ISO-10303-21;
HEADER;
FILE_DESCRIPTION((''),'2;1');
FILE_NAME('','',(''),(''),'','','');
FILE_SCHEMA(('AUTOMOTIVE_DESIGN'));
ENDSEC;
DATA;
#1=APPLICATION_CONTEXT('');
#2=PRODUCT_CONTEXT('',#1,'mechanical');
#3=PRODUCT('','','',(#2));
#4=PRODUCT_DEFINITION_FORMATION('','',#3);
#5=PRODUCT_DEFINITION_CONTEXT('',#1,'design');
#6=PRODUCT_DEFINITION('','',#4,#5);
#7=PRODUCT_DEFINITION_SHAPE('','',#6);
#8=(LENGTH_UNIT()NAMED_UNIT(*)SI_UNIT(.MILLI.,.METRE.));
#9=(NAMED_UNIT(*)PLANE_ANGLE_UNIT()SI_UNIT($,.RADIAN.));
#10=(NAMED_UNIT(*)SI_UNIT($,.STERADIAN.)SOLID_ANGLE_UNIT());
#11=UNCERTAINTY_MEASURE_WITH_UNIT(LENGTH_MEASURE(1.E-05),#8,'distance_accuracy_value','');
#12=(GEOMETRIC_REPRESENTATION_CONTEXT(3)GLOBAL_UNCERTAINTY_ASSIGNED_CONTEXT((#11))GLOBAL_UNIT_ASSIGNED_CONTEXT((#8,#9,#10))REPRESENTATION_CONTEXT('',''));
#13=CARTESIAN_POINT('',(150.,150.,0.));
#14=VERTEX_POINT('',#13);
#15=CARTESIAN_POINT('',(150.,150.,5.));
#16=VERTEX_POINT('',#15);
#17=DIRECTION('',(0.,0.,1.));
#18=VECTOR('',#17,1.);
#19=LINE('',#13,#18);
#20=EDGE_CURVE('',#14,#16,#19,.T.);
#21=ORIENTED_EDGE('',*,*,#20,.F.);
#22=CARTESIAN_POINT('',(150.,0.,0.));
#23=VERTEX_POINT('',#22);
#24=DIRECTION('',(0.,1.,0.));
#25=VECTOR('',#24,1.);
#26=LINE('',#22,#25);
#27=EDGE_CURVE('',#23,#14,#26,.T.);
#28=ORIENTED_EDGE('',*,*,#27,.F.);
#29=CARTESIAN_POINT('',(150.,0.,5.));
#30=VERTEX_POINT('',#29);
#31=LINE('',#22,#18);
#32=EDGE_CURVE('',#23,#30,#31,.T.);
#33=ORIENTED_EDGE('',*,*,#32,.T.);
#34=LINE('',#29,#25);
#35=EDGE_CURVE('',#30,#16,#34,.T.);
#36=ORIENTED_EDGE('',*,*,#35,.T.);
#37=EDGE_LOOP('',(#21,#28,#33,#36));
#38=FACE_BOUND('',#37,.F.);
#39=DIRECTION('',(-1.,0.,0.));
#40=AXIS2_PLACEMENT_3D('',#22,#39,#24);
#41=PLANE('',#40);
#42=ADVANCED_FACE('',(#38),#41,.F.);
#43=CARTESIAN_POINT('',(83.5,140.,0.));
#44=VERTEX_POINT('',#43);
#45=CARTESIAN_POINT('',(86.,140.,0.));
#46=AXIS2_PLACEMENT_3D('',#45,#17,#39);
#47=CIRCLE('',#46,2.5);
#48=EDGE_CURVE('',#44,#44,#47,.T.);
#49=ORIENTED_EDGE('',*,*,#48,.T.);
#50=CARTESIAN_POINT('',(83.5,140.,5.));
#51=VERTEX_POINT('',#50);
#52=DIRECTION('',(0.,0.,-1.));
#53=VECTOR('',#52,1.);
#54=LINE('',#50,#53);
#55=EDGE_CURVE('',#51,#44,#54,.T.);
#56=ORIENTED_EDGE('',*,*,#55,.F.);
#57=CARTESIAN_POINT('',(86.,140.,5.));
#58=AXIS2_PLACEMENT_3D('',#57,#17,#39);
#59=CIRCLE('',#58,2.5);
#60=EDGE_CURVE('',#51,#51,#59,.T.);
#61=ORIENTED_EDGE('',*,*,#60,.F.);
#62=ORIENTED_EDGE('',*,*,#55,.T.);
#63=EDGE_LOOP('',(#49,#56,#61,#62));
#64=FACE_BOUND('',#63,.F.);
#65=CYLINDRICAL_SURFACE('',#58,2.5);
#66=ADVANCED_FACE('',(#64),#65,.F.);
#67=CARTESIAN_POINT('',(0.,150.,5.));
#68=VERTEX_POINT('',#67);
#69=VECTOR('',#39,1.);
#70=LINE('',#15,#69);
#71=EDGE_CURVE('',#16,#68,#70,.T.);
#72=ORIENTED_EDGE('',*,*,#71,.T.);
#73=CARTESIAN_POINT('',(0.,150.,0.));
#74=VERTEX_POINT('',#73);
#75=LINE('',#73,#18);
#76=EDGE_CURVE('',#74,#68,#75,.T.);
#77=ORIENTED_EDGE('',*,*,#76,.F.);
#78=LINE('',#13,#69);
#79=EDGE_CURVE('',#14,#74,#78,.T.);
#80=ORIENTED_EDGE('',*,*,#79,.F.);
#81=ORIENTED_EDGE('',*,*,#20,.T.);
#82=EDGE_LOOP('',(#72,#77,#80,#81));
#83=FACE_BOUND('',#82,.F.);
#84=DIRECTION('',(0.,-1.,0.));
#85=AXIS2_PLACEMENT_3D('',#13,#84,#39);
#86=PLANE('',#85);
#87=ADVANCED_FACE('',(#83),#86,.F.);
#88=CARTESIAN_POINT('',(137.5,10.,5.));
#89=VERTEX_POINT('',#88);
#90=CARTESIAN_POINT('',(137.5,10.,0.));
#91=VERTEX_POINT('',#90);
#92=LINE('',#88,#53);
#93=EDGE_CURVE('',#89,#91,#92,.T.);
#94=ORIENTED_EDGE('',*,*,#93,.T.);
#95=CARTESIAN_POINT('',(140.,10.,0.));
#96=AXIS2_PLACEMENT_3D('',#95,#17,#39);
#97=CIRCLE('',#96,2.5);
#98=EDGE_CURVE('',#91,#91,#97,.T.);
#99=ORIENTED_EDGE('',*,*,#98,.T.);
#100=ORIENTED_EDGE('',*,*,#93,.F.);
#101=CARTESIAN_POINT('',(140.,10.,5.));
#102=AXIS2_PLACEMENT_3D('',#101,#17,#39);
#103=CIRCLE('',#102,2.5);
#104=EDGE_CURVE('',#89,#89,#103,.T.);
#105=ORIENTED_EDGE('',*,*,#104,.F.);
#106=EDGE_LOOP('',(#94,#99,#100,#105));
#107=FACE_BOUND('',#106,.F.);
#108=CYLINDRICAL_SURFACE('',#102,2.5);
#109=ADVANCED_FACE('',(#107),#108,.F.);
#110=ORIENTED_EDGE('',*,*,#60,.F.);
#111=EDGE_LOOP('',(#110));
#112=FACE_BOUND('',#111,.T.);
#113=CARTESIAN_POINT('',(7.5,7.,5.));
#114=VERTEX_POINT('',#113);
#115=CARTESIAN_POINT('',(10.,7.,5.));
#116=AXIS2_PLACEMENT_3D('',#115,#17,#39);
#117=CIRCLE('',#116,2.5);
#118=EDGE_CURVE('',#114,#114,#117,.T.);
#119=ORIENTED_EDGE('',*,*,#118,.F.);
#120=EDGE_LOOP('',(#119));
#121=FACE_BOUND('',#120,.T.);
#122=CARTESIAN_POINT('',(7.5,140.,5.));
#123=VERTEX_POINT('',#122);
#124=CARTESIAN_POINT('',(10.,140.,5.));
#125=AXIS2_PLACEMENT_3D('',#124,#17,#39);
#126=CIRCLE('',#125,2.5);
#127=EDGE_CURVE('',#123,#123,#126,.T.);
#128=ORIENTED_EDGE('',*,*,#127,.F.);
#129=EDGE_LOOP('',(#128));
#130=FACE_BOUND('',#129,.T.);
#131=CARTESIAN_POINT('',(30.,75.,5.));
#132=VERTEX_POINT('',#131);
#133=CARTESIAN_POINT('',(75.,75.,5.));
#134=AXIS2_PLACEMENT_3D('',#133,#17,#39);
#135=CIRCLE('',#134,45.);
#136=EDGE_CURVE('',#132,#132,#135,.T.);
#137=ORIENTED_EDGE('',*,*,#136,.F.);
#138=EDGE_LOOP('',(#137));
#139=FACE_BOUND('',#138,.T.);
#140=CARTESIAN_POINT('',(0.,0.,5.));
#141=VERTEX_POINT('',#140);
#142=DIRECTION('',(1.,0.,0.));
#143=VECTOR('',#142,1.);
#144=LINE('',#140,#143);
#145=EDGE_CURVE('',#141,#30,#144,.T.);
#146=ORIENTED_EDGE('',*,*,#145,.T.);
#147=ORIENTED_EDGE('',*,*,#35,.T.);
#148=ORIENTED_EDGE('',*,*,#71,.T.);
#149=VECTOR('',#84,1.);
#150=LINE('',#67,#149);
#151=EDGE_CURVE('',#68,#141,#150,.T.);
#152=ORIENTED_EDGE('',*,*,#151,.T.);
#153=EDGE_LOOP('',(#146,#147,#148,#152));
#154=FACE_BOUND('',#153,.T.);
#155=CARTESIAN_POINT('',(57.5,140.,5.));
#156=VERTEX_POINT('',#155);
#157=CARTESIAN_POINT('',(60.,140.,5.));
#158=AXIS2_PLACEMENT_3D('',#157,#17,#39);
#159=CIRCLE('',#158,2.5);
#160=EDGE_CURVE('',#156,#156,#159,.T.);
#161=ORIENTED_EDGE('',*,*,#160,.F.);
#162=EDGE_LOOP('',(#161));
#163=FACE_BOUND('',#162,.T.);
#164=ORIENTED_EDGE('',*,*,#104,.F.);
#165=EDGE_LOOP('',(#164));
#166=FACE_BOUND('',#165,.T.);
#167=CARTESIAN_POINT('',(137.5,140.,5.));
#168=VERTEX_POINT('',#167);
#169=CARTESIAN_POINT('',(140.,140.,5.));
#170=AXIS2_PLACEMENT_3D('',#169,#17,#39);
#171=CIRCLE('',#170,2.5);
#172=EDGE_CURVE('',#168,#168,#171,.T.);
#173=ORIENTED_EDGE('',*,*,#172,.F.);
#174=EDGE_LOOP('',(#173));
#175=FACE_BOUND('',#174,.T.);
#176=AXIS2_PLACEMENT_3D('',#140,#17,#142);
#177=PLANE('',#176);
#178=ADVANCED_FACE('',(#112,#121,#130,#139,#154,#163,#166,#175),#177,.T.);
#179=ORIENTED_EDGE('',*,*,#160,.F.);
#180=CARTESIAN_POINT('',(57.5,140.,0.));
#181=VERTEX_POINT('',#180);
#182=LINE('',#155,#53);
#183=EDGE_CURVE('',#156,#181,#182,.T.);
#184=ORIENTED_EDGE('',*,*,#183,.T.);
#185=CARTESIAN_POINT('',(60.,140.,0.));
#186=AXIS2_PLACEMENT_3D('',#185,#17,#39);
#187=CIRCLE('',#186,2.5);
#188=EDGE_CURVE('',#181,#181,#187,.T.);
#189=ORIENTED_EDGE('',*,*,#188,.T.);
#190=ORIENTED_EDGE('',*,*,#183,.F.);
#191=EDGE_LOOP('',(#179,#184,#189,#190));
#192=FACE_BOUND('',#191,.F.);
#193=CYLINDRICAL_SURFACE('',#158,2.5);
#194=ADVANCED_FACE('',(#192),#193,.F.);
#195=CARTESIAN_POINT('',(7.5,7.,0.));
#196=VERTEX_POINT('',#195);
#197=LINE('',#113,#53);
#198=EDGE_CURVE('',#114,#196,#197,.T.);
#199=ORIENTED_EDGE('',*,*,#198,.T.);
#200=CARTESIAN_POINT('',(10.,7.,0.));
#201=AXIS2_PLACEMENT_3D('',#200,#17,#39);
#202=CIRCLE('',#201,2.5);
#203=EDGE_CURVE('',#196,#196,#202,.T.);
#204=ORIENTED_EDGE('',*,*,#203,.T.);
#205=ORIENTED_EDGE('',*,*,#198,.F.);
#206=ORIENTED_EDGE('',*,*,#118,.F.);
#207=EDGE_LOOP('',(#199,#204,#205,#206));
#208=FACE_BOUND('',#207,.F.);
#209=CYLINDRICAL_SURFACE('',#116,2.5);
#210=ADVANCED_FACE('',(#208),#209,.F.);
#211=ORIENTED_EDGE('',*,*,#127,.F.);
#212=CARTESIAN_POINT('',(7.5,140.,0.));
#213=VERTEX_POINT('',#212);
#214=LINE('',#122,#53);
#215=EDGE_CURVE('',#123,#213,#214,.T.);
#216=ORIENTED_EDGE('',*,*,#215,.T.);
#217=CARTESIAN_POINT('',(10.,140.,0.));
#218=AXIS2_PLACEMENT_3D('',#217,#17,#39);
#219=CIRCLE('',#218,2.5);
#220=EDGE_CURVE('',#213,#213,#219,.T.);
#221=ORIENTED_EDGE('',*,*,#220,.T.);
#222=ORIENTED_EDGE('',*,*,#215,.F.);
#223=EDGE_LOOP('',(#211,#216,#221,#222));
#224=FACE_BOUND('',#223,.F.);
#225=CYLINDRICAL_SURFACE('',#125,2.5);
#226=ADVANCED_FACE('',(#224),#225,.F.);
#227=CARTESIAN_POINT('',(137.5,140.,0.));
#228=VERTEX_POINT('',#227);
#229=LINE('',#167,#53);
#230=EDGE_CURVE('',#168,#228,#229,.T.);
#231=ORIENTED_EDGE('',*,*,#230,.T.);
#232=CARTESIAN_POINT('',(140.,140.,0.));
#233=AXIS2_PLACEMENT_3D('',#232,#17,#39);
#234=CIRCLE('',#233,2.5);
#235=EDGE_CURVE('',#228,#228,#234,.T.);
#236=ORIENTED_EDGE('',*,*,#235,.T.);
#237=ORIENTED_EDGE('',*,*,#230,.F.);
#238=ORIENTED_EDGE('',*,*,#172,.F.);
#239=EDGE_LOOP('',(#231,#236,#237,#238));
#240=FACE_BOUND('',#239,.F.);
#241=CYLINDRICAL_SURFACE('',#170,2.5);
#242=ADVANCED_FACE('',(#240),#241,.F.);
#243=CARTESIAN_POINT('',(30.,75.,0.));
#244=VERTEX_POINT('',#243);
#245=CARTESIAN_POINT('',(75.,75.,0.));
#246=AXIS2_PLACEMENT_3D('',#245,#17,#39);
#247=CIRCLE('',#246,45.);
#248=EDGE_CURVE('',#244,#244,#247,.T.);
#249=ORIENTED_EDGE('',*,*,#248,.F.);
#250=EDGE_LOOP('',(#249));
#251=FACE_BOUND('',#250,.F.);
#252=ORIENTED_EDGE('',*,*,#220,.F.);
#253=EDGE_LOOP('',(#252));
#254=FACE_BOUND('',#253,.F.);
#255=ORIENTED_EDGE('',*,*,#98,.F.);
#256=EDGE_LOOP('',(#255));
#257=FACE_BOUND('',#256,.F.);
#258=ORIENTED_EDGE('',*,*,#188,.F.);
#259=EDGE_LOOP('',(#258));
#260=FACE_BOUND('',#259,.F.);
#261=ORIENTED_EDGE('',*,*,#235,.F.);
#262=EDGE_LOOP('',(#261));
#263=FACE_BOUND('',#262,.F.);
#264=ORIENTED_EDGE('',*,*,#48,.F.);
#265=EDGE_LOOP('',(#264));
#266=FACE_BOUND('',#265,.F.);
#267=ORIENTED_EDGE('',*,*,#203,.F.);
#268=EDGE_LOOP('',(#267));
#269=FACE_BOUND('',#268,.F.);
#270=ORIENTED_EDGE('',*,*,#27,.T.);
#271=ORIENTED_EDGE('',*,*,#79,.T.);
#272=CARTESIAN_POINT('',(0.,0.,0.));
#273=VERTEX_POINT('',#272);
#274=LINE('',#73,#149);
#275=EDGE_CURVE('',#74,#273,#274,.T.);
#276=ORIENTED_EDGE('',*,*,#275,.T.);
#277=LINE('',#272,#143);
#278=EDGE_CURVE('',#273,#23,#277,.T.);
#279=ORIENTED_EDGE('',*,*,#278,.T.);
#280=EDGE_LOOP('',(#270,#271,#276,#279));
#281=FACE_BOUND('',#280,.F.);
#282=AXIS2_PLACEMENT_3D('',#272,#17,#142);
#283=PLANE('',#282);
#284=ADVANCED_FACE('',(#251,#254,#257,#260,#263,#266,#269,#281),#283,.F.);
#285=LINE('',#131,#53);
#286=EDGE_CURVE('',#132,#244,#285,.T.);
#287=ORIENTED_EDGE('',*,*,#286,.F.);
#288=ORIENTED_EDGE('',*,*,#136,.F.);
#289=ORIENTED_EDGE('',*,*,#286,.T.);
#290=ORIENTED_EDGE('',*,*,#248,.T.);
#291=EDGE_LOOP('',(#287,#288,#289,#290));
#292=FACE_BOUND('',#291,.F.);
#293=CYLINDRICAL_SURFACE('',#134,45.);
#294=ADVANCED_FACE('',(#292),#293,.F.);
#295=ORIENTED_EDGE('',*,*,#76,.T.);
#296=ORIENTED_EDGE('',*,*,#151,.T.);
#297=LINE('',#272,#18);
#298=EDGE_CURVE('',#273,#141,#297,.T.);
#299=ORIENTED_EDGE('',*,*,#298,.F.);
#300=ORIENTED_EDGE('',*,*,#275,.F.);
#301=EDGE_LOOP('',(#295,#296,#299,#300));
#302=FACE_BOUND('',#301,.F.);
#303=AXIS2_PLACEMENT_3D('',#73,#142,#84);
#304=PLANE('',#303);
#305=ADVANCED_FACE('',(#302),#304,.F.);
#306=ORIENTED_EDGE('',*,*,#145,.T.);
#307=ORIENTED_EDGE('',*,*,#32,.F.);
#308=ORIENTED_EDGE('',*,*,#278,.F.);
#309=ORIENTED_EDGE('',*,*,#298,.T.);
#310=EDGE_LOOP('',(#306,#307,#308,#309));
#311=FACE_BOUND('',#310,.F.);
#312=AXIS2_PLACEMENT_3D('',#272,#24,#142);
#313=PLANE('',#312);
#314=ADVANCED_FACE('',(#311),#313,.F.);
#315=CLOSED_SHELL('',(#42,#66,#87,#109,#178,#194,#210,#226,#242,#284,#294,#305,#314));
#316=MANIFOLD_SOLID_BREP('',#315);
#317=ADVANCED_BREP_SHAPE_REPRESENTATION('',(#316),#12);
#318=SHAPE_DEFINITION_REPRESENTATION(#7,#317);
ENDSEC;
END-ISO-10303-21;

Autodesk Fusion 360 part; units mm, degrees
sketch "Sketch1" plane through (0, 0, 0) normal (0, 0, 1) x (1, 0, 0)
  line L0 (0, 0) -> (150, 0)
  line L1 (150, 0) -> (150, 150)
  line L2 (150, 150) -> (0, 150)
  line L3 (0, 150) -> (0, 0)
  circle A0 centre (74.3636, 76.0684) radius 45
  dimension "d1" = 150
  dimension "d2" = 150
  dimension "d3" = 90
sketch "Sketch2" plane through (0, 0, 0) normal (0, 0, 1) x (1, 0, 0)
  circle A0 centre (11.6759, 139.6456) radius 2.5
  circle A1 centre (140, 140) radius 2.5
  circle A2 centre (10, 10) radius 2.5
  circle A3 centre (140, 10) radius 2.5
  circle A4 centre (60, 140) radius 2.5
  circle A5 centre (85.9996, 140.152) radius 2.5
  dimension "d4" = 5
  dimension "d5" = 5
  dimension "d6" = 5
  dimension "d7" = 5
  dimension "d8" = 5
  dimension "d9" = 5
  dimension "d10" = 26
extrude "Extrude1" add sketch "Sketch1" sketch "Sketch2" along normal blind 5 contours L0 L1 L2 L3 | A0 of sketch 2
sketch "Sketch3" plane through (0, 0, 5) normal (0, 0, 1) x (-1, 0, 0)
  line L0 (0, -150) -> (0, 0)
  line L1 (0, 0) -> (-150, 0)
  line L2 (-150, 0) -> (-150, -150)
  line L3 (-150, -150) -> (0, -150)
  circle A0 centre (-75, -75) radius 45
  circle A1 centre (-10, -140) radius 2.5
  circle A2 centre (-140, -140) radius 2.5
  circle A3 centre (-10, -7) radius 2.5
  circle A4 centre (-140, -10) radius 2.5
  circle A5 centre (-60, -140) radius 2.5
  circle A6 centre (-86, -140) radius 2.5
  dimension "d13" = 90
  dimension "d14" = 75
  dimension "d15" = 75
  dimension "d16" = 5
  dimension "d17" = 5
  dimension "d18" = 5
  dimension "d19" = 5
  dimension "d20" = 5
  dimension "d21" = 5
  dimension "d22" = 26
  dimension "d23" = 133
  dimension "d24" = 130
extrude "Extrude2" cut sketch "Sketch3" against normal blind 5 contours A0 | A1 | A2 | A3 | A4 | A5 | A6
